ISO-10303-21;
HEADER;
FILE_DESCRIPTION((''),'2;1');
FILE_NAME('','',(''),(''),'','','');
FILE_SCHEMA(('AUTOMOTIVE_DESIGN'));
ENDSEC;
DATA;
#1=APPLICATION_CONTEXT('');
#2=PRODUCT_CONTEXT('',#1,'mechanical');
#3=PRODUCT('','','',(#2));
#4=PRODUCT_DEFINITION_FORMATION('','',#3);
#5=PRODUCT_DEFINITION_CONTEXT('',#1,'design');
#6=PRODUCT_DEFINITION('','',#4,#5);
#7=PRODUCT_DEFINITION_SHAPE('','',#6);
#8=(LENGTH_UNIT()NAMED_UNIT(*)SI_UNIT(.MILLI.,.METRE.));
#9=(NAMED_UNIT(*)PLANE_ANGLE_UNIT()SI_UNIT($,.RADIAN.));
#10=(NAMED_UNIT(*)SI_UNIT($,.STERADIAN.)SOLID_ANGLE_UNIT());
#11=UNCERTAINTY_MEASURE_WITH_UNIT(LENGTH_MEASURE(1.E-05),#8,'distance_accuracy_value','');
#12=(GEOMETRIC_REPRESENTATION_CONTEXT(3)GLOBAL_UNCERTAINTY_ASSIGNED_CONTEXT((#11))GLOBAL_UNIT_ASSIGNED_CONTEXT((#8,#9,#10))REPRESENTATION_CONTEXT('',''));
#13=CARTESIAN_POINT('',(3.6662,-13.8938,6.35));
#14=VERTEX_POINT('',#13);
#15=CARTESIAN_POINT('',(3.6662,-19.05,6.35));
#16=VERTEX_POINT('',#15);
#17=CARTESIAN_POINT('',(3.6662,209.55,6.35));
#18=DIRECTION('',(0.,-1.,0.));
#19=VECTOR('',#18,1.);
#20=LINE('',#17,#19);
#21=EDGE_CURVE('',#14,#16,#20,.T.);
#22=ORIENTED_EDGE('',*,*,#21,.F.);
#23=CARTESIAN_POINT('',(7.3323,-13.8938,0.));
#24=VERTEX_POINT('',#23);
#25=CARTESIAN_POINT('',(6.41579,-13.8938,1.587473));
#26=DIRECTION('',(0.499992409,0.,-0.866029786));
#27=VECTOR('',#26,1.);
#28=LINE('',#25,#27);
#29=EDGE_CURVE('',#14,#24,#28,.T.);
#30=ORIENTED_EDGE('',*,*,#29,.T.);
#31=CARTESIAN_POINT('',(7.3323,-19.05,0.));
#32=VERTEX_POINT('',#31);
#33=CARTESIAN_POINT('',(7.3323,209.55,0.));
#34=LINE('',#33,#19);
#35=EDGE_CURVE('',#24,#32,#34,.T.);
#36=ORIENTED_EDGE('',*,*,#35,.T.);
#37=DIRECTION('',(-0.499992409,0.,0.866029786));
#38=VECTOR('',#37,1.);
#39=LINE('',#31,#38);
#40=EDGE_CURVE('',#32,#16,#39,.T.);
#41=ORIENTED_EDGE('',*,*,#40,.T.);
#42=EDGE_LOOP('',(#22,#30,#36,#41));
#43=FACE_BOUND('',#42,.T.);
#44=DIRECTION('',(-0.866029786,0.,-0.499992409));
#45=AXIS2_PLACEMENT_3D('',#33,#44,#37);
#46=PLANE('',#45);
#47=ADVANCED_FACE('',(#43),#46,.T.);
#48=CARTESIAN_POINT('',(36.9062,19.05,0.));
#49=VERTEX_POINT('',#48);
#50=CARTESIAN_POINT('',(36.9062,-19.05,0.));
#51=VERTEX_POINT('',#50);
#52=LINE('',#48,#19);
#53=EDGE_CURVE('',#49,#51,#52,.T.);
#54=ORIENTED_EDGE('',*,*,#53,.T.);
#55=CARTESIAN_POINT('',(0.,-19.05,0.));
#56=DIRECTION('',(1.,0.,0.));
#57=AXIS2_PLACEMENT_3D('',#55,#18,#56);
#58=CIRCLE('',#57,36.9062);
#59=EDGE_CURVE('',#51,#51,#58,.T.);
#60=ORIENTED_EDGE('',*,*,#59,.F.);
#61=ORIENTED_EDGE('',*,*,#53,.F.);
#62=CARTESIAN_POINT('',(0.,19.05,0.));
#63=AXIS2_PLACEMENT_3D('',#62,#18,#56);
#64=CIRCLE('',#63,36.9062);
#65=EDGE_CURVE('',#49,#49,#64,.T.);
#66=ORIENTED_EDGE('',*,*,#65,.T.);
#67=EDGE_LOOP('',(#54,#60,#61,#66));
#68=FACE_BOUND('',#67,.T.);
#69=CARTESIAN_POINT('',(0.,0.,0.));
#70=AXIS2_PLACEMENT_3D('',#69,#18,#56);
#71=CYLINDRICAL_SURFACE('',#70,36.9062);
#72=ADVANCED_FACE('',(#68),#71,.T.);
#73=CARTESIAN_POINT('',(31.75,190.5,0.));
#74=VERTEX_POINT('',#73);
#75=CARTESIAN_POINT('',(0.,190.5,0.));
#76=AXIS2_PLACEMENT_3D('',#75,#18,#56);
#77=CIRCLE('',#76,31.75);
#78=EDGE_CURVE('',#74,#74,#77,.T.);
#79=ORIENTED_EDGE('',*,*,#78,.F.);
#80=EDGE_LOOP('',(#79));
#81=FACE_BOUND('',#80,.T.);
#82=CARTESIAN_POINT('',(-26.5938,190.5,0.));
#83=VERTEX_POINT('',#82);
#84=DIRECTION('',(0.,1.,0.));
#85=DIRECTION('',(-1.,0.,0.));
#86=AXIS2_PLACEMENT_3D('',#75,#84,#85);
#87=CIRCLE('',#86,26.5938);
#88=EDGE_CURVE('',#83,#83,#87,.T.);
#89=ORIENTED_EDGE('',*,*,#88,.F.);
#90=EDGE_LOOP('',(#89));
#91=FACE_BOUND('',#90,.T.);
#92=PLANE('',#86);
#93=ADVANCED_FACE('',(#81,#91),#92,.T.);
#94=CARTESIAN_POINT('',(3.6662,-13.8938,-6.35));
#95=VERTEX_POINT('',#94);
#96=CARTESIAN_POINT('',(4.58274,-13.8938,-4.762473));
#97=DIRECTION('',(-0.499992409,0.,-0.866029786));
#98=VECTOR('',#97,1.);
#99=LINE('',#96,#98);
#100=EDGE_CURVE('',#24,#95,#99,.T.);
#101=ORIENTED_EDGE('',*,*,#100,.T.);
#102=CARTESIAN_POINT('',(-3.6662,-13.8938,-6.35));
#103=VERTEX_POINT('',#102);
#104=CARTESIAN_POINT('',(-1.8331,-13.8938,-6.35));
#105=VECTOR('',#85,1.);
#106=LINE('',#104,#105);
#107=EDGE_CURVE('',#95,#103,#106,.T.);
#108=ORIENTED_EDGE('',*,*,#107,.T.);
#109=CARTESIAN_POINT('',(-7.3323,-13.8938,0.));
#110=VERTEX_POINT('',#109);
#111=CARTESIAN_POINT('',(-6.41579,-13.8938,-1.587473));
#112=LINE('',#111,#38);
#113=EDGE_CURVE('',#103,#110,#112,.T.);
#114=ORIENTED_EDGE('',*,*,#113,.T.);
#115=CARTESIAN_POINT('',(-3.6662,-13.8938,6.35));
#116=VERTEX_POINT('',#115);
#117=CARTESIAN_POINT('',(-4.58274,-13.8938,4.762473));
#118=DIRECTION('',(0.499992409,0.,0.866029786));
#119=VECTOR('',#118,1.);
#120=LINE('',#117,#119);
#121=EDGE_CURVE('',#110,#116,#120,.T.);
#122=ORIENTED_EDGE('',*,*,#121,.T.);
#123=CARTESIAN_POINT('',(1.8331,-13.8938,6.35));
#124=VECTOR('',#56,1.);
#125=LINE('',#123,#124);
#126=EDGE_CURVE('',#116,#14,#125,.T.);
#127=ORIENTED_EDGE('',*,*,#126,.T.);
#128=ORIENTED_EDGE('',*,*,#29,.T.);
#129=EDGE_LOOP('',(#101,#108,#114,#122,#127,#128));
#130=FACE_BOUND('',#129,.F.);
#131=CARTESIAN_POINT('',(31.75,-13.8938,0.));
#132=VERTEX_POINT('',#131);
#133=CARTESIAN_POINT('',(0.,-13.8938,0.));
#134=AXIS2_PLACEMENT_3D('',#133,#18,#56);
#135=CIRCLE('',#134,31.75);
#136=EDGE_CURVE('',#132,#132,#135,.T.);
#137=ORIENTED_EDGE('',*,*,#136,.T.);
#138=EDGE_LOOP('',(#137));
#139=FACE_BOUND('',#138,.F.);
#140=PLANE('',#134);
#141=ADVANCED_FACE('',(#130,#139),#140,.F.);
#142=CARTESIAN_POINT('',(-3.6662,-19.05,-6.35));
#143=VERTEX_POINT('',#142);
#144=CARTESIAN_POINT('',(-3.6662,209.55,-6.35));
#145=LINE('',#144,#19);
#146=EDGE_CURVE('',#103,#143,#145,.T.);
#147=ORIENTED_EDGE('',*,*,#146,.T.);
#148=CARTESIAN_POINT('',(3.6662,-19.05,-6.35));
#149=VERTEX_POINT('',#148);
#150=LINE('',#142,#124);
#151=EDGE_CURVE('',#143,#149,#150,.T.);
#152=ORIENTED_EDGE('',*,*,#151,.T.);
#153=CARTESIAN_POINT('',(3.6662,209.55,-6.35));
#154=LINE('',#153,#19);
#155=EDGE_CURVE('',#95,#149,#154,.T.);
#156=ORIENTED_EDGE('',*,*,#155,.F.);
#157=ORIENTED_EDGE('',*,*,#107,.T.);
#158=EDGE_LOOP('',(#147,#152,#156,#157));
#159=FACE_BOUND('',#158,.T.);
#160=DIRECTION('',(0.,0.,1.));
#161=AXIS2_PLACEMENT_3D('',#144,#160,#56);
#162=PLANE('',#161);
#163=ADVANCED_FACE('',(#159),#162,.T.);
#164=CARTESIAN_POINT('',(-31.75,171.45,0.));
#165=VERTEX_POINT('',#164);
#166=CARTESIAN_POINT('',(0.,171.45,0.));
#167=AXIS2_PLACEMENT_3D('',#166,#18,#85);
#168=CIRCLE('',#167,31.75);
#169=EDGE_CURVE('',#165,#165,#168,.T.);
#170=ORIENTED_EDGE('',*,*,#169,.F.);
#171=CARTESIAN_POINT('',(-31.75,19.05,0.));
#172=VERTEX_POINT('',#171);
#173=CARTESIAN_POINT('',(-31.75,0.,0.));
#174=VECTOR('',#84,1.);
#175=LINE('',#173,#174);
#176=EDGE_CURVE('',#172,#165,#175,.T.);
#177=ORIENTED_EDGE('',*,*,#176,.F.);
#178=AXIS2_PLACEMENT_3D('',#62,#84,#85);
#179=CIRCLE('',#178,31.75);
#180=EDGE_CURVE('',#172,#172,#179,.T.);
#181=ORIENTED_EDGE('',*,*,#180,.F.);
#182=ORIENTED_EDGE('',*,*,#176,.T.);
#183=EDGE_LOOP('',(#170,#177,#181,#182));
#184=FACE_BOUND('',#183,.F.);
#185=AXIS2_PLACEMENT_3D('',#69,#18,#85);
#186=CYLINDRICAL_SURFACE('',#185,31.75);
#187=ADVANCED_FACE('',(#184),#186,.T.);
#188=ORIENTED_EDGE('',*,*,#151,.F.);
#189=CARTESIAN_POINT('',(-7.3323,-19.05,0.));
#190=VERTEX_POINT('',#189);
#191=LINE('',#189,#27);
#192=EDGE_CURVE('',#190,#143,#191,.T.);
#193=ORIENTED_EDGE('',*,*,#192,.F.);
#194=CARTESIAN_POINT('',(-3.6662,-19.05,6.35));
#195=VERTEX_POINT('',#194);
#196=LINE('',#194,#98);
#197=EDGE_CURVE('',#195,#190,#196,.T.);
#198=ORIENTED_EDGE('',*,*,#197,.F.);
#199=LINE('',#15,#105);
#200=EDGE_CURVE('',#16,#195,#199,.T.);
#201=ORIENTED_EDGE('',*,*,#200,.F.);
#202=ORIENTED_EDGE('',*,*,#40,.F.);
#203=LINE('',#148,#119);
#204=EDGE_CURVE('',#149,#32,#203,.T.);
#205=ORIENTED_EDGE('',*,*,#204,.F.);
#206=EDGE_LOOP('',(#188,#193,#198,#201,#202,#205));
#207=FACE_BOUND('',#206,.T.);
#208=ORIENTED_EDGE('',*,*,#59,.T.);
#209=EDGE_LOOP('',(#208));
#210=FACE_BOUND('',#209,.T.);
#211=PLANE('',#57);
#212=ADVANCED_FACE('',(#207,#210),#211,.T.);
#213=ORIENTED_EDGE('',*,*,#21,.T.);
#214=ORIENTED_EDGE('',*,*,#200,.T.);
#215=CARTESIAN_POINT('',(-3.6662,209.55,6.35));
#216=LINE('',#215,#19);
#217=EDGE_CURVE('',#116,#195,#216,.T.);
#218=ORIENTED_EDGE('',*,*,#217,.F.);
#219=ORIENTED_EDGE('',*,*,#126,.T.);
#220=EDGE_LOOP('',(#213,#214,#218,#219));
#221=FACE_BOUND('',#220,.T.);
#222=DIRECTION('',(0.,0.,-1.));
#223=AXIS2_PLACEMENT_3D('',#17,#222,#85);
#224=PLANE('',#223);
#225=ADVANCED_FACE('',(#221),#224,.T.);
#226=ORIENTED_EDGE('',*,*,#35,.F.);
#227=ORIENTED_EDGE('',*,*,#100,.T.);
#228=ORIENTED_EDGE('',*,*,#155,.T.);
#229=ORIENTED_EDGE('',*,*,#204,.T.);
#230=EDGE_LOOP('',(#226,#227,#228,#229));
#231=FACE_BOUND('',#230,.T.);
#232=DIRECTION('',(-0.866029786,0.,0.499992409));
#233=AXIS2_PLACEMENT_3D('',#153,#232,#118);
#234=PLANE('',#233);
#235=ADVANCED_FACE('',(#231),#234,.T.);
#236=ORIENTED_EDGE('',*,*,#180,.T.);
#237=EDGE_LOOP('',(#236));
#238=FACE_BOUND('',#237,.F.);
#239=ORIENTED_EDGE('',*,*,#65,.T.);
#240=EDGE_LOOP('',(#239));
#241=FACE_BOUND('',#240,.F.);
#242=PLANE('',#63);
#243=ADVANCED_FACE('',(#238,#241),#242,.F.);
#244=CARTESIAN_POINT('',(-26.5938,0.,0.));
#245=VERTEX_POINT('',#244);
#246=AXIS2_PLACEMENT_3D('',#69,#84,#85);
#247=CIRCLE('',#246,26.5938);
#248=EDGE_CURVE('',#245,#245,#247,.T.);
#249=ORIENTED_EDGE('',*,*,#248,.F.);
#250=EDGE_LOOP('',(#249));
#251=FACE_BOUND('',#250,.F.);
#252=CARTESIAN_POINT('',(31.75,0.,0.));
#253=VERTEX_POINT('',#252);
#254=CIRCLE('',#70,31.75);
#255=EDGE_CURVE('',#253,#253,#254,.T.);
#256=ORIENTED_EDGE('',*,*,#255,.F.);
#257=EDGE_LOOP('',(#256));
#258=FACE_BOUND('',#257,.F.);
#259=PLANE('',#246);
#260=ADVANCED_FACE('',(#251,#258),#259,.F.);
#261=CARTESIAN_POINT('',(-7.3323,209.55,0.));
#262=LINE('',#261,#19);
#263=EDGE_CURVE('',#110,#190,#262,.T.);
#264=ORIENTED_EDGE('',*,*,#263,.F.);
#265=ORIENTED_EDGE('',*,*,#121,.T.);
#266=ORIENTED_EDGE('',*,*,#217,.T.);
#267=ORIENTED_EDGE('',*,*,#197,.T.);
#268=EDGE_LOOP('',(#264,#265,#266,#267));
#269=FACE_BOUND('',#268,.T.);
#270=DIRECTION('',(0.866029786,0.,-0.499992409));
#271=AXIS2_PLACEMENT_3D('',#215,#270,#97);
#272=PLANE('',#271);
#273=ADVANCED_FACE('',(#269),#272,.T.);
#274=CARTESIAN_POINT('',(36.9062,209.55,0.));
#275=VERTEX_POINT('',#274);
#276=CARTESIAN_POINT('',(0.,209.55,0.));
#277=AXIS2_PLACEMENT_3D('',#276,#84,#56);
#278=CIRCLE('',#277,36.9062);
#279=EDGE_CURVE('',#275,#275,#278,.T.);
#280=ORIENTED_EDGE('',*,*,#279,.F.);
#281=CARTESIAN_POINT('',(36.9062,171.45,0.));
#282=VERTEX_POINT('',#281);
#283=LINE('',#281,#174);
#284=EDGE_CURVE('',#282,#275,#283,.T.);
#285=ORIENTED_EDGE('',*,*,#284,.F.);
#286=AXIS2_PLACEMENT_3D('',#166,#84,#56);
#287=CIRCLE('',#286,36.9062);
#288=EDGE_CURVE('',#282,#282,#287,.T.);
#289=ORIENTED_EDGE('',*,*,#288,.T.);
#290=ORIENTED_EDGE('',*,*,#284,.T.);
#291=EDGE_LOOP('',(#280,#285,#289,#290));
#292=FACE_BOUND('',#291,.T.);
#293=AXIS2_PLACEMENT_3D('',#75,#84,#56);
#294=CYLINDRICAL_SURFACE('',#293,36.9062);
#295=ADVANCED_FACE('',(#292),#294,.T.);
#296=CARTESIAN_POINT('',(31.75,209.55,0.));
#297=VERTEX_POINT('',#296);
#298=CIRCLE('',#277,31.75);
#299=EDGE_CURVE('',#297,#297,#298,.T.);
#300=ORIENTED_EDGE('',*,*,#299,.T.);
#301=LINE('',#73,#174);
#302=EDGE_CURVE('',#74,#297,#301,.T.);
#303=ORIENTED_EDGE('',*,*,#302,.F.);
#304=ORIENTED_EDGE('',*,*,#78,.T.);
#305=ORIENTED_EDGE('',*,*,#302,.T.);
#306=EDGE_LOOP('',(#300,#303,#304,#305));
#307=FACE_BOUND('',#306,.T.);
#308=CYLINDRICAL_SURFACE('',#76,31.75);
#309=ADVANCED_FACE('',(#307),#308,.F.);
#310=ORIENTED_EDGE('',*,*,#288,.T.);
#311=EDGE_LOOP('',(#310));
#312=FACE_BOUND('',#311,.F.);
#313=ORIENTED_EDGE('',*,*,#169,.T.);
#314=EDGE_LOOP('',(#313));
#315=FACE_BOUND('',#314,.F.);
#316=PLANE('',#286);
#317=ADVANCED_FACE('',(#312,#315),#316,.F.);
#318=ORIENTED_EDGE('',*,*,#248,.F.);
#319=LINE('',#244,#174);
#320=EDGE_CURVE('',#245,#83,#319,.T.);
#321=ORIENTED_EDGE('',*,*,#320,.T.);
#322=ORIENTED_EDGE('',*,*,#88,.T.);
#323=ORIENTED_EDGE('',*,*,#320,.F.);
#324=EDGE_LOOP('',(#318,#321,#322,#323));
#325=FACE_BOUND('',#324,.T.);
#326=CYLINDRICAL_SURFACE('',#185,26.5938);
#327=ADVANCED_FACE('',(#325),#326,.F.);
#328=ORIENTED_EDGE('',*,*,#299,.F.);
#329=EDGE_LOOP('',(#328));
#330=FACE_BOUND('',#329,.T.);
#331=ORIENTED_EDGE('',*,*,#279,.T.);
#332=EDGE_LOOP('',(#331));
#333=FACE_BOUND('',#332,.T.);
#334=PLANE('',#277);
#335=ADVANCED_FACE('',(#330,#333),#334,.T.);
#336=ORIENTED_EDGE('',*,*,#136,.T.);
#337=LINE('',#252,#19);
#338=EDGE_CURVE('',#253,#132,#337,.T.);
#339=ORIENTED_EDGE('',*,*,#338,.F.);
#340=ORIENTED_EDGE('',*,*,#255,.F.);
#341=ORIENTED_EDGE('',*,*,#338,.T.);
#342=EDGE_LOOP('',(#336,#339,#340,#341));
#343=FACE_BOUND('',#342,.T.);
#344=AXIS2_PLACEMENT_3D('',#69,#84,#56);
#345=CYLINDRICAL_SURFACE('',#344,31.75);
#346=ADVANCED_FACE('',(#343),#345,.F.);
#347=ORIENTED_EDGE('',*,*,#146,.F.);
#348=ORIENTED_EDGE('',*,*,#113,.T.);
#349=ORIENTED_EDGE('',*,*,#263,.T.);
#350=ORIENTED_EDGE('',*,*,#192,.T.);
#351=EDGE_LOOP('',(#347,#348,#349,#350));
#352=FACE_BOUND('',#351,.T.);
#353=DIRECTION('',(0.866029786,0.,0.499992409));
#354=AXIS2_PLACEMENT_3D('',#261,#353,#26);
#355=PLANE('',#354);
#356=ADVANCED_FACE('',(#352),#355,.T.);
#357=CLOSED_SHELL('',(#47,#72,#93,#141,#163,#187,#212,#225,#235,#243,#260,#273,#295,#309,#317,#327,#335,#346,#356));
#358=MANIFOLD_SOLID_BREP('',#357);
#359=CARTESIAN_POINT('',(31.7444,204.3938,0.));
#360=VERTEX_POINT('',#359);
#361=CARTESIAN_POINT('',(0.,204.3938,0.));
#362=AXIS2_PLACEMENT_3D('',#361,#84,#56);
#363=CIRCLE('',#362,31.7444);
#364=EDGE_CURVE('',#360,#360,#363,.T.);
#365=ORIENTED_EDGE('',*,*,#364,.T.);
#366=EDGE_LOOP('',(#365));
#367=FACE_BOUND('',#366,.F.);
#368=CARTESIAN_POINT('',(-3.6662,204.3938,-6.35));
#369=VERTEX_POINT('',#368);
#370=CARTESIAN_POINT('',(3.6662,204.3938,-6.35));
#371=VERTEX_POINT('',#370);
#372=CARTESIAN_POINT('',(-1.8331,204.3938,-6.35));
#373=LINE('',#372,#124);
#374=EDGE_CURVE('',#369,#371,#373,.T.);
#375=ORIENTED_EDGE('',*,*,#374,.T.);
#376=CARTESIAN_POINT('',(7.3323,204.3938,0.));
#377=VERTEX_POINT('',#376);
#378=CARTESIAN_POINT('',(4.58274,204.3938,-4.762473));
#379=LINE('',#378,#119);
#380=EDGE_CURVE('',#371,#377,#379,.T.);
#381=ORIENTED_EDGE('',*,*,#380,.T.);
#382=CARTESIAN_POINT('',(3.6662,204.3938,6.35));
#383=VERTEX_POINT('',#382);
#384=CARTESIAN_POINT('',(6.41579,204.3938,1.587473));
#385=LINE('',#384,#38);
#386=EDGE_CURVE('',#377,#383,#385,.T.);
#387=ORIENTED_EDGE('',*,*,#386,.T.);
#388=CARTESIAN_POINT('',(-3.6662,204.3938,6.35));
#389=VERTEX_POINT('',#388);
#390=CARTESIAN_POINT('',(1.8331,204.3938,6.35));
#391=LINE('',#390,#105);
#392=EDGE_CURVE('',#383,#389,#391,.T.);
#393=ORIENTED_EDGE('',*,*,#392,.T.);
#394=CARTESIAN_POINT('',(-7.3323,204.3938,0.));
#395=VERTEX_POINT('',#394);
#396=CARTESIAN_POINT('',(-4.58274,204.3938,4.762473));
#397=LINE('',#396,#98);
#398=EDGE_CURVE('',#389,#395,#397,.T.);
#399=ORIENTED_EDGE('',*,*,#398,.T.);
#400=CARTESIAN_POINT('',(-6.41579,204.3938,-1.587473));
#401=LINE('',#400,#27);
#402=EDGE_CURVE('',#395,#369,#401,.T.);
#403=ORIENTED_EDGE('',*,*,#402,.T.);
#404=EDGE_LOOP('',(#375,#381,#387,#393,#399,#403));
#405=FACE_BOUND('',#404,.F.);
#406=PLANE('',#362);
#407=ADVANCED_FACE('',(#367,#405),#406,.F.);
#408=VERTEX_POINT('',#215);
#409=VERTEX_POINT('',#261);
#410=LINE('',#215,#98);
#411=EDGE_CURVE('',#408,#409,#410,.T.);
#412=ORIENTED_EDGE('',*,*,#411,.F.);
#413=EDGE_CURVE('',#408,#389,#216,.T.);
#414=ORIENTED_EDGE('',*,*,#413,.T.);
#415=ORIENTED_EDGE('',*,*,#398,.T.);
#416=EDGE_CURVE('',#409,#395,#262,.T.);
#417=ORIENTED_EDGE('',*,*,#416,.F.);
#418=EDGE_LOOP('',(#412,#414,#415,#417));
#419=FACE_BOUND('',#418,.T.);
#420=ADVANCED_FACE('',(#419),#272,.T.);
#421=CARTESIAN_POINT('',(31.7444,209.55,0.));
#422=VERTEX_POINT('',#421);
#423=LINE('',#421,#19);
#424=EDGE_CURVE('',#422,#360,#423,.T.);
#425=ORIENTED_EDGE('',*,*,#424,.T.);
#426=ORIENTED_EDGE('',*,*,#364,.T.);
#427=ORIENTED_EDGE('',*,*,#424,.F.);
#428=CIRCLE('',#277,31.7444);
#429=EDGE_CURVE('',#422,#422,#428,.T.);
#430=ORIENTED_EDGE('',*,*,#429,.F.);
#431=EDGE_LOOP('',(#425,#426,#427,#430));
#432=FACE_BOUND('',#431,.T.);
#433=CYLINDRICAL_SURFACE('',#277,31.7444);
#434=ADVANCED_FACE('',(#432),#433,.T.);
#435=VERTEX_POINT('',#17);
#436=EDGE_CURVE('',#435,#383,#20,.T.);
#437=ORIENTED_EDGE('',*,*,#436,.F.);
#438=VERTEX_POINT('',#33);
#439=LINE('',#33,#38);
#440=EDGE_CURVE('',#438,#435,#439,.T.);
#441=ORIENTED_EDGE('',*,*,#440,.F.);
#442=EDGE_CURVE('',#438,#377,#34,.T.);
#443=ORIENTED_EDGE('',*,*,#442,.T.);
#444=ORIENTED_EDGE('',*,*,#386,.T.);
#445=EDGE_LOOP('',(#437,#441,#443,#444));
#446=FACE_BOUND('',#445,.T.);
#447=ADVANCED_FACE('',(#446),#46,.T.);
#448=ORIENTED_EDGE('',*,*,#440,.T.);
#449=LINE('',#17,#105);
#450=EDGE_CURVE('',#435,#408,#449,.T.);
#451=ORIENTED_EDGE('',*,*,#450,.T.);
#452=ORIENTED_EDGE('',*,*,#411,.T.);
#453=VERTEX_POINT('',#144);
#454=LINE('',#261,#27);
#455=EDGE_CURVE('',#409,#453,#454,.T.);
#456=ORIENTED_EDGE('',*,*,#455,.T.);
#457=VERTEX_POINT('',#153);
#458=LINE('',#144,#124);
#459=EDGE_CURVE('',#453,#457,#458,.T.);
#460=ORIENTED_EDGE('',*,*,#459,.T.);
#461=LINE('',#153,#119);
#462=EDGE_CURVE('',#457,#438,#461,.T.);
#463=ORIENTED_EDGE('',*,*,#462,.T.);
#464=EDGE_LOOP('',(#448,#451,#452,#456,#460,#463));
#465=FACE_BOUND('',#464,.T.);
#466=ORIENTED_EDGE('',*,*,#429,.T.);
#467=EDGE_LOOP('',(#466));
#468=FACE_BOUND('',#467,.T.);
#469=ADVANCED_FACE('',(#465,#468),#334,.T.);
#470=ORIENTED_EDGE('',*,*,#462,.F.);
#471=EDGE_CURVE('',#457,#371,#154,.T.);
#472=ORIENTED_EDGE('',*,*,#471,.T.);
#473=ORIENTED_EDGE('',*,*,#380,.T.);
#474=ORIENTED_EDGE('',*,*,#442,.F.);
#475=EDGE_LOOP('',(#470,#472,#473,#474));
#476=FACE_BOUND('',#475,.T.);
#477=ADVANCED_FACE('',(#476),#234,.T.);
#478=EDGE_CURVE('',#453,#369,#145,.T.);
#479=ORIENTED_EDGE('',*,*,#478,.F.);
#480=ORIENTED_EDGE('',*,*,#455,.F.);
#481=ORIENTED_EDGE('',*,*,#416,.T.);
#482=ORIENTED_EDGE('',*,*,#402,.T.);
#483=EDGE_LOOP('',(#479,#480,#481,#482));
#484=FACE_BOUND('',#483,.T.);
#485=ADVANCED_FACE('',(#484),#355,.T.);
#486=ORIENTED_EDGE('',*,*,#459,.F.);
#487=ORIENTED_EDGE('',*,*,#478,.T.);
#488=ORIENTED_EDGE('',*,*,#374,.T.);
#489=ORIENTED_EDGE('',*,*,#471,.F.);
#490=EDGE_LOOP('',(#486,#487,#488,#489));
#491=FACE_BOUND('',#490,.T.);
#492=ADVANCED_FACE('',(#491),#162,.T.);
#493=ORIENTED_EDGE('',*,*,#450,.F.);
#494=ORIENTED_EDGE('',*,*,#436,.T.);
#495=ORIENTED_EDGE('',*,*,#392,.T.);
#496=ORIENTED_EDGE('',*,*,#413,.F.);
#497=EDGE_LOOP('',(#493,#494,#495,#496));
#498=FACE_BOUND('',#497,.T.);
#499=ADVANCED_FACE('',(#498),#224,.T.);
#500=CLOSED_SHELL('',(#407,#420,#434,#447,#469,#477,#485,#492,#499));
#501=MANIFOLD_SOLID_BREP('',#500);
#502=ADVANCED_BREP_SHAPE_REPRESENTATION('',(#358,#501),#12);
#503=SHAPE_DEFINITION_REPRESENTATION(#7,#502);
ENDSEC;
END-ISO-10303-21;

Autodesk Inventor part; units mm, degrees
ref_plane "YZ Plane" through (0, 0, 0) normal (1, 0, 0) x (0, 1, 0)
ref_plane "XZ Plane" through (0, 0, 0) normal (0, 1, 0) x (-1, 0, 0)
ref_plane "XY Plane" through (0, 0, 0) normal (0, 0, 1) x (1, 0, 0)
sketch "Sketch6" plane through (0, 0, 0) normal (0, 1, 0) x (-1, 0, 0)
  circle A0 centre (0, 0) radius 31.75
  circle A1 centre (0, 0) radius 26.5938
  dimension "d16" = 63.5
  dimension "d17" = 5.1562
extrude "Extrusion5" add sketch "Sketch6" along normal blind 190.5
sketch "Sketch7" plane through (0, 0, 0) normal (0, -1, 0) x (1, 0, 0)
  circle A0 centre (0, 0) radius 36.9062
  circle A1 centre (0, 0) radius 31.75
  dimension "d20" = 63.5
  dimension "d21" = 5.1562
extrude "Extrusion6" add sketch "Sketch7" along normal mid plane 38.1
sketch "Sketch8" plane through (0, -19.05, 0) normal (0, -1, 0) x (1, 0, 0)
  circle A0 centre (0, 0) radius 31.75
extrude "Extrusion7" add sketch "Sketch8" against normal blind 5.1562
sketch "Sketch9" plane through (0, 190.5, 0) normal (0, 1, 0) x (1, 0, 0)
  circle A0 centre (0, 0) radius 31.75
  circle A1 centre (0, 0) radius 36.9062
extrude "Extrusion8" add sketch "Sketch9" along normal mid plane 38.1
sketch "Sketch10" plane through (0, 209.55, 0) normal (0, 1, 0) x (1, 0, 0)
  circle A0 centre (0, 0) radius 31.7444
  dimension "d28" = 63.4887
extrude "Extrusion9" add sketch "Sketch10" against normal blind 5.1562
sketch "Sketch11" plane through (0, 209.55, 0) normal (0, 1, 0) x (1, 0, 0)
  line L0 (-7.3323, 0) -> (-3.6662, 6.35)
  line L1 (-3.6662, 6.35) -> (3.6662, 6.35)
  line L2 (3.6662, 6.35) -> (7.3323, 0)
  line L3 (7.3323, 0) -> (3.6662, -6.35)
  line L4 (3.6662, -6.35) -> (-3.6662, -6.35)
  line L5 (-3.6662, -6.35) -> (-7.3323, 0)
  point P0 (0, 0)
  point P1 (0, 0)
  dimension "d31" = 12.7
extrude "Extrusion10" cut sketch "Sketch11" against normal blind 228.6
properties part number "Roller Drum 10-Inch" material "PVC-Piping"
